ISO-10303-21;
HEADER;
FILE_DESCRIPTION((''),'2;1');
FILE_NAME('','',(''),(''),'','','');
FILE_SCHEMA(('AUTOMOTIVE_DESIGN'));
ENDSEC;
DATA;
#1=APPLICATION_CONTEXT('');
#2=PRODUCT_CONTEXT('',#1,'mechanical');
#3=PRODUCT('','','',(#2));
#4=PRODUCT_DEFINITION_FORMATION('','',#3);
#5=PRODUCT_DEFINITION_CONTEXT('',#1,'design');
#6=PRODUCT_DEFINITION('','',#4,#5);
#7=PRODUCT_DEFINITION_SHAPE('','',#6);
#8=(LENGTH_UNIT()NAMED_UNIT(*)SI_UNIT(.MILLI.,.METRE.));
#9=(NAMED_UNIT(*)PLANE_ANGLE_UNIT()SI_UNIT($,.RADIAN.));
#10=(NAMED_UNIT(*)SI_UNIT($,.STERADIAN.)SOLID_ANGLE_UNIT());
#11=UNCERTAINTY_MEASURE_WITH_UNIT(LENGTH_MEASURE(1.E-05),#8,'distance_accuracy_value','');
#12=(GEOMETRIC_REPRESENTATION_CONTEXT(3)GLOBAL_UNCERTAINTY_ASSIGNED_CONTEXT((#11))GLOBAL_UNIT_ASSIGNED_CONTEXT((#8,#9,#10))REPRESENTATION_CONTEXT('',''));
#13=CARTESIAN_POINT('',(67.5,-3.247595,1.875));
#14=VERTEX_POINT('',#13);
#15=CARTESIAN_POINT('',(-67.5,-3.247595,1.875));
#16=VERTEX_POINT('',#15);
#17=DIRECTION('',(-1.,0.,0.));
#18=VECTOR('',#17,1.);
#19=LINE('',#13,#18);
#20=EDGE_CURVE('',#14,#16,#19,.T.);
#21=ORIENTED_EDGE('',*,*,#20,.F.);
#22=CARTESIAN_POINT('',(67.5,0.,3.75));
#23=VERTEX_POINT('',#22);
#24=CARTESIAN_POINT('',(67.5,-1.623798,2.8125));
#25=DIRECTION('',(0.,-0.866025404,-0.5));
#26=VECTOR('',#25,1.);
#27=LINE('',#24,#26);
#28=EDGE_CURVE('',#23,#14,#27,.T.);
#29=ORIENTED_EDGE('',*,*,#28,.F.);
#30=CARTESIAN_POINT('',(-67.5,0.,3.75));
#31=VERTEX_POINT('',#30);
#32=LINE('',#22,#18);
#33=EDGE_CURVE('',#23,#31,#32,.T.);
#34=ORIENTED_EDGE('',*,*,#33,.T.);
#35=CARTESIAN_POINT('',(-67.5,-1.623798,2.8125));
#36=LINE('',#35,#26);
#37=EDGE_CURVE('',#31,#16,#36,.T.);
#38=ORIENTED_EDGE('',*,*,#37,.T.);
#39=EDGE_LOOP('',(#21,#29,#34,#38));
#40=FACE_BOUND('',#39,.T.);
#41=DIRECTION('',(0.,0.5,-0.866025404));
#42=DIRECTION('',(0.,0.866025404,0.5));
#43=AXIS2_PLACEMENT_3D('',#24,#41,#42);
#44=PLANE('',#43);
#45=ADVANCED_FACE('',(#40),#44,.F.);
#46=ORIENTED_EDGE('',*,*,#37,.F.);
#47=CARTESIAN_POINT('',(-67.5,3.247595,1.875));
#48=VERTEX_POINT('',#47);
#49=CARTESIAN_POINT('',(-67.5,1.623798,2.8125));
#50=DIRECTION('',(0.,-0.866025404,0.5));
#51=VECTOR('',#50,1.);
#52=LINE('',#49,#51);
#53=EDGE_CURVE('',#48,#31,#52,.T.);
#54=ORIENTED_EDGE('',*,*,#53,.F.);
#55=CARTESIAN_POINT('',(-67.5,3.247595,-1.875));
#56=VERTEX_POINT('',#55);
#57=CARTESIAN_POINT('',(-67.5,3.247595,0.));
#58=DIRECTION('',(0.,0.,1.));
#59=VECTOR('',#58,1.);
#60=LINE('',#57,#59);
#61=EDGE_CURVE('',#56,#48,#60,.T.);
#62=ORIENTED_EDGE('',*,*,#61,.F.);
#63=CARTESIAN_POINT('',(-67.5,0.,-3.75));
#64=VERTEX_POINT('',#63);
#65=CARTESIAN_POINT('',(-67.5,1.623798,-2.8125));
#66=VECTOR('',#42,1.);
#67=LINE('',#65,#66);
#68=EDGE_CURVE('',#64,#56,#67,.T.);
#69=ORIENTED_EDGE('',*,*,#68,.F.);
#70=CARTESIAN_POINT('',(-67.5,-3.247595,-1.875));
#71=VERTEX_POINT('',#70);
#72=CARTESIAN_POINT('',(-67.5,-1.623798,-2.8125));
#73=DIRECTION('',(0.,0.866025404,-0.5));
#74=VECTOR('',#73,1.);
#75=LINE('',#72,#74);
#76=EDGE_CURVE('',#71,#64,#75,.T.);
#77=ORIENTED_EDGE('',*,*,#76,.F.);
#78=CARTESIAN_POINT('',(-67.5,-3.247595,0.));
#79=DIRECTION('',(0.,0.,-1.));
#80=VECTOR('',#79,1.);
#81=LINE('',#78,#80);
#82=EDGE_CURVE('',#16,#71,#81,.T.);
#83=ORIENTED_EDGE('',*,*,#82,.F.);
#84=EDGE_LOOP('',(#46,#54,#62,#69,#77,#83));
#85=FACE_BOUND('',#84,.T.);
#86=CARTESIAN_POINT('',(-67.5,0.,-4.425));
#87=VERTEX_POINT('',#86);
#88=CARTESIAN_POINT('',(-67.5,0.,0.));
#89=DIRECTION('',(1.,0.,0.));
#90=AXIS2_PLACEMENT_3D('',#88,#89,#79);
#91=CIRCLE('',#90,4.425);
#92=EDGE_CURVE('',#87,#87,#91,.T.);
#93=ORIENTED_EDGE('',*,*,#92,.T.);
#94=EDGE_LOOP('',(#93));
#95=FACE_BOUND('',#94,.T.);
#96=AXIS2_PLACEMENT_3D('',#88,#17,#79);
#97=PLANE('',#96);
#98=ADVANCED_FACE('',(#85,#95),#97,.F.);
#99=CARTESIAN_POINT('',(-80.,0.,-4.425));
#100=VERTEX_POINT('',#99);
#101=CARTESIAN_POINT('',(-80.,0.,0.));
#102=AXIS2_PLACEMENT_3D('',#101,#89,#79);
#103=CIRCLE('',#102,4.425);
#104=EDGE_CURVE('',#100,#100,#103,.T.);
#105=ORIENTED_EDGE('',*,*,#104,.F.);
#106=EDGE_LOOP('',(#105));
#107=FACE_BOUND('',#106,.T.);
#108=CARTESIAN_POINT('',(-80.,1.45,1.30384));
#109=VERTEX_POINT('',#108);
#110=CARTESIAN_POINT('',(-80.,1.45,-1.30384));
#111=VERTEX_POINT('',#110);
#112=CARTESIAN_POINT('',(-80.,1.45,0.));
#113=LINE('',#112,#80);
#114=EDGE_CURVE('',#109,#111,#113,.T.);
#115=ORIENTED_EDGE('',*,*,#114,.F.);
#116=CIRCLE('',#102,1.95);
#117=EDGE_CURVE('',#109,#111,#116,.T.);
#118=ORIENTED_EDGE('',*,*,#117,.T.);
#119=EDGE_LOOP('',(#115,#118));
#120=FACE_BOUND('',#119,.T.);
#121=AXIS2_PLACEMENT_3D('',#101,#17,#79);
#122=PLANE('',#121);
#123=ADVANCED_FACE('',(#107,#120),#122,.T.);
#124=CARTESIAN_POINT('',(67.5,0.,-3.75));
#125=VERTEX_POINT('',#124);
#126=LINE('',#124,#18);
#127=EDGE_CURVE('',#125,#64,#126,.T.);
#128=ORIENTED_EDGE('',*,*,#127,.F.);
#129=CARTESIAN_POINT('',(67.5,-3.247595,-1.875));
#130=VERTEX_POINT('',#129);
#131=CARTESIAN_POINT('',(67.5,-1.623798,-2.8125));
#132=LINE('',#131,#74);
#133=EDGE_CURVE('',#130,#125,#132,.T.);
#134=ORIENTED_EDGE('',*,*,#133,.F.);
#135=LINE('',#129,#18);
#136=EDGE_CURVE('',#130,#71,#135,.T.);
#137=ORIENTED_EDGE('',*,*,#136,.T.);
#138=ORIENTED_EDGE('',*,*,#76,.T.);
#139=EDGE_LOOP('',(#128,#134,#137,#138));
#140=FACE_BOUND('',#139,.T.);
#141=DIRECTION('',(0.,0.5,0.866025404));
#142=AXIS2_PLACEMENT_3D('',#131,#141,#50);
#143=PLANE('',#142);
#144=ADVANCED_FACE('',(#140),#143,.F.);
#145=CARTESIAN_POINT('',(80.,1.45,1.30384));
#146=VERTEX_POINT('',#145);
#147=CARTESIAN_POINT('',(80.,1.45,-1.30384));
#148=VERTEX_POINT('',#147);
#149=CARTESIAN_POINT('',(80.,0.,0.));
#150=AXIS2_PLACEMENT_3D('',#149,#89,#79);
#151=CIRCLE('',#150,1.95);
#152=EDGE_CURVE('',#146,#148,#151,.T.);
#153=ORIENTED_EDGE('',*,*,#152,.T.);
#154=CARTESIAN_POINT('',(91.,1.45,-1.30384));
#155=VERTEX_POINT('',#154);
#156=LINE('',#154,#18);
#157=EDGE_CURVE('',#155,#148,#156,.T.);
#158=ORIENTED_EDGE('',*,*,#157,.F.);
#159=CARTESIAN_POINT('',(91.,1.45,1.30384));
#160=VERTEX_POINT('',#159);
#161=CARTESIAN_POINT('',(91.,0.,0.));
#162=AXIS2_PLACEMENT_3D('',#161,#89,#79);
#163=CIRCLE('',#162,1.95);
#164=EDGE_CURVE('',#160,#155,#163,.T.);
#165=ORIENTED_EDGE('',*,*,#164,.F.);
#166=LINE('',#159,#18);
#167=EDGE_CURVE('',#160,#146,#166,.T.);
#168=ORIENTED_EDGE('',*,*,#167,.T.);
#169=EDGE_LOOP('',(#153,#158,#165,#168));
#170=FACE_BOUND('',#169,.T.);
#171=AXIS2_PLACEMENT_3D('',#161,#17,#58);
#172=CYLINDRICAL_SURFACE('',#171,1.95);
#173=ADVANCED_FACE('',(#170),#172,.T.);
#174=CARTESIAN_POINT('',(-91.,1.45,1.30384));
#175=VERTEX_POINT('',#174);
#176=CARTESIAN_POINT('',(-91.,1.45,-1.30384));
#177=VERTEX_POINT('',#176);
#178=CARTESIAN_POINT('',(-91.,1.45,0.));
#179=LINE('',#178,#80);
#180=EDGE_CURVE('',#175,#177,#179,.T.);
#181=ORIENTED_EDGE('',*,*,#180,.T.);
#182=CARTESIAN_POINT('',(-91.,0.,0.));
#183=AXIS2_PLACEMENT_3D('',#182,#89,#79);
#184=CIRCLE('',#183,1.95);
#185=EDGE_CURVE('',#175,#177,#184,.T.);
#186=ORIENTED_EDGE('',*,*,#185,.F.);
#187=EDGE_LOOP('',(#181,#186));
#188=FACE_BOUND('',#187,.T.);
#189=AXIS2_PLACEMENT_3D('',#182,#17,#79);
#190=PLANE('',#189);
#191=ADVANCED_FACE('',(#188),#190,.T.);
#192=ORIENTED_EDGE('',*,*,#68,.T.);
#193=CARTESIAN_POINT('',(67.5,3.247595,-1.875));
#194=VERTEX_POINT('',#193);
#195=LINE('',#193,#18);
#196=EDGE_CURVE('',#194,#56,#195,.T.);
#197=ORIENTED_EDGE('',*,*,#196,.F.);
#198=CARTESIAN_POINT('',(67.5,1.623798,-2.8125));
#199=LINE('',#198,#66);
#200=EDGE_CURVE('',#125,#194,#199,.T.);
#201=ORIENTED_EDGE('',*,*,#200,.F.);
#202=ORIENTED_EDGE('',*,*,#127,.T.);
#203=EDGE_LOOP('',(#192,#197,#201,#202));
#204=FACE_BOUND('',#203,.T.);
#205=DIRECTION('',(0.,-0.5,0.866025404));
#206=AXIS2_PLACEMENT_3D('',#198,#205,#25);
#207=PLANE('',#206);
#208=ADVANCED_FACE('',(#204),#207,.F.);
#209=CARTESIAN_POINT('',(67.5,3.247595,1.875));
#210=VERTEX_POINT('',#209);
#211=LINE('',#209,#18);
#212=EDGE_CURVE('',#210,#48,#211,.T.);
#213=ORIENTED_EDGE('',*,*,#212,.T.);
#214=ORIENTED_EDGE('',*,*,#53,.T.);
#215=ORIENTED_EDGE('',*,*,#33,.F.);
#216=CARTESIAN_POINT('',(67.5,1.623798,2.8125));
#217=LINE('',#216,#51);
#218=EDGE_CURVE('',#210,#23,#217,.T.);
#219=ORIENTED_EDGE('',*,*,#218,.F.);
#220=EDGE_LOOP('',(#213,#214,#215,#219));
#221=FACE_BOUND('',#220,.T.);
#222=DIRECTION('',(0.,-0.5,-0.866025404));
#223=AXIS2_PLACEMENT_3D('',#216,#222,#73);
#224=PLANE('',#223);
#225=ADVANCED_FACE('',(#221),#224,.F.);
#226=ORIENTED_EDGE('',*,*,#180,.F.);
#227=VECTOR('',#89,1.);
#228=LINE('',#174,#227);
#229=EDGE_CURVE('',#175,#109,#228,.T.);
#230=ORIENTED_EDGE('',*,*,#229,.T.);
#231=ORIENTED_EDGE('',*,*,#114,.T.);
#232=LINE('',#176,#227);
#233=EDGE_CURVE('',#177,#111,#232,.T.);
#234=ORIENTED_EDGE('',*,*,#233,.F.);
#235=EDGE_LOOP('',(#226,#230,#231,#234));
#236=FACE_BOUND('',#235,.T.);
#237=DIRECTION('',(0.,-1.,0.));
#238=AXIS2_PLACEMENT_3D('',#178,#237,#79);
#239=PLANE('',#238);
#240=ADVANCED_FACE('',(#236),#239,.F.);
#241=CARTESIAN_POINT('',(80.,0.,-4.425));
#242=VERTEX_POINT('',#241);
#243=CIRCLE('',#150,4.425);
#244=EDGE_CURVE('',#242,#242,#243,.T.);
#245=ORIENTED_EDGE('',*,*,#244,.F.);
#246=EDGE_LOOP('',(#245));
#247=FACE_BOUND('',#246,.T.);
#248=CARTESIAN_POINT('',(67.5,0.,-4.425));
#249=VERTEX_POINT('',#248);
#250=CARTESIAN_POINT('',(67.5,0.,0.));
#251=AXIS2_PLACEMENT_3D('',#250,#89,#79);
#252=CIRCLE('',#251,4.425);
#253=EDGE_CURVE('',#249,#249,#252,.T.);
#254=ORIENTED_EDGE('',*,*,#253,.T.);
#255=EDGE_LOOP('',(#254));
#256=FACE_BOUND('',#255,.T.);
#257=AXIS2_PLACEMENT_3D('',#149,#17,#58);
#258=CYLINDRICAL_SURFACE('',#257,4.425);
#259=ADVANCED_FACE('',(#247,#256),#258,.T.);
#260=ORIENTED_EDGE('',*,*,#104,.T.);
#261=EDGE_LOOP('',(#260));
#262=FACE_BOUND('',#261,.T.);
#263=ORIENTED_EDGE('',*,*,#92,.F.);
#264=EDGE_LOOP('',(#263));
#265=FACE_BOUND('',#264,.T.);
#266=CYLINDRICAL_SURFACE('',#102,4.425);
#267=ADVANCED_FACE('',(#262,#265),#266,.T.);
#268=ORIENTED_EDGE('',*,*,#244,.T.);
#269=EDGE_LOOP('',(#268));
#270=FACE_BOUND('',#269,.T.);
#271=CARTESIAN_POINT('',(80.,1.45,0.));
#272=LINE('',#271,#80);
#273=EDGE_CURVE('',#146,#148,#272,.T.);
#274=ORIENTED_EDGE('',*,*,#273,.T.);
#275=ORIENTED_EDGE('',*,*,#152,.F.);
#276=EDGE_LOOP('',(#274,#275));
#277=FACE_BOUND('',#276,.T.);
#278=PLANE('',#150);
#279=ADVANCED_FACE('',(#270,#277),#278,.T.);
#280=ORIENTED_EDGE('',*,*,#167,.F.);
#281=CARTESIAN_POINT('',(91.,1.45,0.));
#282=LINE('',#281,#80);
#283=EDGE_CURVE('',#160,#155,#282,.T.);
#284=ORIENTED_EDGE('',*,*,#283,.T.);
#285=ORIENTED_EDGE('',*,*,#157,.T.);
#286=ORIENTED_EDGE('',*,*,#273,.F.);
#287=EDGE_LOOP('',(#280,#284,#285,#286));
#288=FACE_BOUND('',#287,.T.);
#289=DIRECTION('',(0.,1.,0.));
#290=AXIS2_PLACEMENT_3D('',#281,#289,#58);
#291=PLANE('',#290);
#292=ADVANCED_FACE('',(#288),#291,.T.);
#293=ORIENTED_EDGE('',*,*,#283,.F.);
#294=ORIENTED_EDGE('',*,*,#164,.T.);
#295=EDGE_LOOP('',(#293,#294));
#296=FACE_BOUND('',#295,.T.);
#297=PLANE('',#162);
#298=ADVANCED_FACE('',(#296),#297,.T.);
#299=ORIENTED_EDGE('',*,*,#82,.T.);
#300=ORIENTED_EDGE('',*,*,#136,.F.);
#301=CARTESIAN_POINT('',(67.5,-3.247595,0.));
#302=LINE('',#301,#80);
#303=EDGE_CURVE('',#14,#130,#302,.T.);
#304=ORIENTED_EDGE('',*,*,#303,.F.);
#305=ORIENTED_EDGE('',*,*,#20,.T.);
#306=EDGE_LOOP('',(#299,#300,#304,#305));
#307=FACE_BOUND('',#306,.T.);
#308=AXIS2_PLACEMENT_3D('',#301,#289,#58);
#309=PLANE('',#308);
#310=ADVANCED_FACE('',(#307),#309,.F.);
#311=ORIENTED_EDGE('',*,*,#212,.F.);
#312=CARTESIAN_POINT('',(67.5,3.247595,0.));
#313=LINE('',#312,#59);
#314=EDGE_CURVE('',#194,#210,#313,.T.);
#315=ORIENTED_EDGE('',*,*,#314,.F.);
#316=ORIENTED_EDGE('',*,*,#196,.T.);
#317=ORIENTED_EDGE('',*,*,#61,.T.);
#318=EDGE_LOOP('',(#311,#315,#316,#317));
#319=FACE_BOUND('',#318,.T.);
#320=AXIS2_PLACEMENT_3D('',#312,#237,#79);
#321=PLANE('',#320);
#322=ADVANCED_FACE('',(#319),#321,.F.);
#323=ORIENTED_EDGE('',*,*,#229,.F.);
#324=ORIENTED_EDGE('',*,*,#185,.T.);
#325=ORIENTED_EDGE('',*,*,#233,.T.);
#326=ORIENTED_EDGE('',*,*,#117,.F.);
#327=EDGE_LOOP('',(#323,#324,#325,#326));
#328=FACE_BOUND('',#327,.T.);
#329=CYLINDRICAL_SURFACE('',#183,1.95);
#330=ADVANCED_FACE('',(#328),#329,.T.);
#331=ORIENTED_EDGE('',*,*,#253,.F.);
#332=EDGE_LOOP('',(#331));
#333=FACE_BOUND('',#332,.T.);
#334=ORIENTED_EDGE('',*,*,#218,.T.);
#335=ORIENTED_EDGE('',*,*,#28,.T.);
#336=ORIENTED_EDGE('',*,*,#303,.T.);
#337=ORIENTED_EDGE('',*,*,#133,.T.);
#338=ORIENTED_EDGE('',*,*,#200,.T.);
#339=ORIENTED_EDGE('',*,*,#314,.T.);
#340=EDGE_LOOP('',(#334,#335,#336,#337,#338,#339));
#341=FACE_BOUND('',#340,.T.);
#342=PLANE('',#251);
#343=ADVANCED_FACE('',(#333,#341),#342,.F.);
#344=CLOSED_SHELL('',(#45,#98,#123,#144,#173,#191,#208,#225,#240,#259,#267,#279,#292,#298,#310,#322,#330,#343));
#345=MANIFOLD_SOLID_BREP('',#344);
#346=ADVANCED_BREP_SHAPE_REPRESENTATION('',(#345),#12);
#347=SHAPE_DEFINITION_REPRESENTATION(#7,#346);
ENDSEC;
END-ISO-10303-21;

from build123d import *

# Parameters (mm, degrees)
BOSS_EXTRUDE1_DEPTH = 67.5
BOSS_EXTRUDE2_START = 67.5
SKETCH1_3_R         = 4.425
BOSS_EXTRUDE2_DEPTH = 12.5
BOSS_EXTRUDE4_DEPTH = 11


with BuildPart() as part:
    # Sketch1 → Boss-Extrude1 (new, symmetric)
    with BuildSketch(Plane(origin=(0, 0, 0), x_dir=(0, 0, -1), z_dir=(1, 0, 0))):
        Polygon((1.875, -3.247595264), (3.75, 0), (1.875, 3.247595264), (-1.875, 3.247595264), (-3.75, 0), (-1.875, -3.247595264), align=None)
    extrude(amount=BOSS_EXTRUDE1_DEPTH, both=True)

    # Sketch1<3> → Boss-Extrude2 (add)
    with BuildSketch(Plane(origin=(0, 0, 0), x_dir=(0, 0, -1), z_dir=(1, 0, 0)).offset(BOSS_EXTRUDE2_START)):
        Circle(SKETCH1_3_R)
    boss_extrude2 = extrude(amount=BOSS_EXTRUDE2_DEPTH)

    # Sketch4 → Boss-Extrude4 (add)
    with BuildSketch(Plane(origin=(80, 0, 0), x_dir=(0, 0, -1), z_dir=(1, 0, 0))):
        with BuildLine():
            Line((1.303840481, 1.45), (-1.303840481, 1.45))
            ThreePointArc((-1.303840481, 1.45), (-0.793728878, -1.78114976), (1.95, 0))
            ThreePointArc((1.95, 0), (1.78114976, 0.793728878), (1.303840481, 1.45))
        make_face()
    boss_extrude4 = extrude(amount=BOSS_EXTRUDE4_DEPTH)

    # Mirror2: Boss-Extrude2, Boss-Extrude4 across plane
    add(boss_extrude2.mirror(Plane(origin=(0, 0, 0), x_dir=(0, 0, 1), z_dir=(1, 0, 0))))
    add(boss_extrude4.mirror(Plane(origin=(0, 0, 0), x_dir=(0, 0, 1), z_dir=(1, 0, 0))))


solid = part.part
